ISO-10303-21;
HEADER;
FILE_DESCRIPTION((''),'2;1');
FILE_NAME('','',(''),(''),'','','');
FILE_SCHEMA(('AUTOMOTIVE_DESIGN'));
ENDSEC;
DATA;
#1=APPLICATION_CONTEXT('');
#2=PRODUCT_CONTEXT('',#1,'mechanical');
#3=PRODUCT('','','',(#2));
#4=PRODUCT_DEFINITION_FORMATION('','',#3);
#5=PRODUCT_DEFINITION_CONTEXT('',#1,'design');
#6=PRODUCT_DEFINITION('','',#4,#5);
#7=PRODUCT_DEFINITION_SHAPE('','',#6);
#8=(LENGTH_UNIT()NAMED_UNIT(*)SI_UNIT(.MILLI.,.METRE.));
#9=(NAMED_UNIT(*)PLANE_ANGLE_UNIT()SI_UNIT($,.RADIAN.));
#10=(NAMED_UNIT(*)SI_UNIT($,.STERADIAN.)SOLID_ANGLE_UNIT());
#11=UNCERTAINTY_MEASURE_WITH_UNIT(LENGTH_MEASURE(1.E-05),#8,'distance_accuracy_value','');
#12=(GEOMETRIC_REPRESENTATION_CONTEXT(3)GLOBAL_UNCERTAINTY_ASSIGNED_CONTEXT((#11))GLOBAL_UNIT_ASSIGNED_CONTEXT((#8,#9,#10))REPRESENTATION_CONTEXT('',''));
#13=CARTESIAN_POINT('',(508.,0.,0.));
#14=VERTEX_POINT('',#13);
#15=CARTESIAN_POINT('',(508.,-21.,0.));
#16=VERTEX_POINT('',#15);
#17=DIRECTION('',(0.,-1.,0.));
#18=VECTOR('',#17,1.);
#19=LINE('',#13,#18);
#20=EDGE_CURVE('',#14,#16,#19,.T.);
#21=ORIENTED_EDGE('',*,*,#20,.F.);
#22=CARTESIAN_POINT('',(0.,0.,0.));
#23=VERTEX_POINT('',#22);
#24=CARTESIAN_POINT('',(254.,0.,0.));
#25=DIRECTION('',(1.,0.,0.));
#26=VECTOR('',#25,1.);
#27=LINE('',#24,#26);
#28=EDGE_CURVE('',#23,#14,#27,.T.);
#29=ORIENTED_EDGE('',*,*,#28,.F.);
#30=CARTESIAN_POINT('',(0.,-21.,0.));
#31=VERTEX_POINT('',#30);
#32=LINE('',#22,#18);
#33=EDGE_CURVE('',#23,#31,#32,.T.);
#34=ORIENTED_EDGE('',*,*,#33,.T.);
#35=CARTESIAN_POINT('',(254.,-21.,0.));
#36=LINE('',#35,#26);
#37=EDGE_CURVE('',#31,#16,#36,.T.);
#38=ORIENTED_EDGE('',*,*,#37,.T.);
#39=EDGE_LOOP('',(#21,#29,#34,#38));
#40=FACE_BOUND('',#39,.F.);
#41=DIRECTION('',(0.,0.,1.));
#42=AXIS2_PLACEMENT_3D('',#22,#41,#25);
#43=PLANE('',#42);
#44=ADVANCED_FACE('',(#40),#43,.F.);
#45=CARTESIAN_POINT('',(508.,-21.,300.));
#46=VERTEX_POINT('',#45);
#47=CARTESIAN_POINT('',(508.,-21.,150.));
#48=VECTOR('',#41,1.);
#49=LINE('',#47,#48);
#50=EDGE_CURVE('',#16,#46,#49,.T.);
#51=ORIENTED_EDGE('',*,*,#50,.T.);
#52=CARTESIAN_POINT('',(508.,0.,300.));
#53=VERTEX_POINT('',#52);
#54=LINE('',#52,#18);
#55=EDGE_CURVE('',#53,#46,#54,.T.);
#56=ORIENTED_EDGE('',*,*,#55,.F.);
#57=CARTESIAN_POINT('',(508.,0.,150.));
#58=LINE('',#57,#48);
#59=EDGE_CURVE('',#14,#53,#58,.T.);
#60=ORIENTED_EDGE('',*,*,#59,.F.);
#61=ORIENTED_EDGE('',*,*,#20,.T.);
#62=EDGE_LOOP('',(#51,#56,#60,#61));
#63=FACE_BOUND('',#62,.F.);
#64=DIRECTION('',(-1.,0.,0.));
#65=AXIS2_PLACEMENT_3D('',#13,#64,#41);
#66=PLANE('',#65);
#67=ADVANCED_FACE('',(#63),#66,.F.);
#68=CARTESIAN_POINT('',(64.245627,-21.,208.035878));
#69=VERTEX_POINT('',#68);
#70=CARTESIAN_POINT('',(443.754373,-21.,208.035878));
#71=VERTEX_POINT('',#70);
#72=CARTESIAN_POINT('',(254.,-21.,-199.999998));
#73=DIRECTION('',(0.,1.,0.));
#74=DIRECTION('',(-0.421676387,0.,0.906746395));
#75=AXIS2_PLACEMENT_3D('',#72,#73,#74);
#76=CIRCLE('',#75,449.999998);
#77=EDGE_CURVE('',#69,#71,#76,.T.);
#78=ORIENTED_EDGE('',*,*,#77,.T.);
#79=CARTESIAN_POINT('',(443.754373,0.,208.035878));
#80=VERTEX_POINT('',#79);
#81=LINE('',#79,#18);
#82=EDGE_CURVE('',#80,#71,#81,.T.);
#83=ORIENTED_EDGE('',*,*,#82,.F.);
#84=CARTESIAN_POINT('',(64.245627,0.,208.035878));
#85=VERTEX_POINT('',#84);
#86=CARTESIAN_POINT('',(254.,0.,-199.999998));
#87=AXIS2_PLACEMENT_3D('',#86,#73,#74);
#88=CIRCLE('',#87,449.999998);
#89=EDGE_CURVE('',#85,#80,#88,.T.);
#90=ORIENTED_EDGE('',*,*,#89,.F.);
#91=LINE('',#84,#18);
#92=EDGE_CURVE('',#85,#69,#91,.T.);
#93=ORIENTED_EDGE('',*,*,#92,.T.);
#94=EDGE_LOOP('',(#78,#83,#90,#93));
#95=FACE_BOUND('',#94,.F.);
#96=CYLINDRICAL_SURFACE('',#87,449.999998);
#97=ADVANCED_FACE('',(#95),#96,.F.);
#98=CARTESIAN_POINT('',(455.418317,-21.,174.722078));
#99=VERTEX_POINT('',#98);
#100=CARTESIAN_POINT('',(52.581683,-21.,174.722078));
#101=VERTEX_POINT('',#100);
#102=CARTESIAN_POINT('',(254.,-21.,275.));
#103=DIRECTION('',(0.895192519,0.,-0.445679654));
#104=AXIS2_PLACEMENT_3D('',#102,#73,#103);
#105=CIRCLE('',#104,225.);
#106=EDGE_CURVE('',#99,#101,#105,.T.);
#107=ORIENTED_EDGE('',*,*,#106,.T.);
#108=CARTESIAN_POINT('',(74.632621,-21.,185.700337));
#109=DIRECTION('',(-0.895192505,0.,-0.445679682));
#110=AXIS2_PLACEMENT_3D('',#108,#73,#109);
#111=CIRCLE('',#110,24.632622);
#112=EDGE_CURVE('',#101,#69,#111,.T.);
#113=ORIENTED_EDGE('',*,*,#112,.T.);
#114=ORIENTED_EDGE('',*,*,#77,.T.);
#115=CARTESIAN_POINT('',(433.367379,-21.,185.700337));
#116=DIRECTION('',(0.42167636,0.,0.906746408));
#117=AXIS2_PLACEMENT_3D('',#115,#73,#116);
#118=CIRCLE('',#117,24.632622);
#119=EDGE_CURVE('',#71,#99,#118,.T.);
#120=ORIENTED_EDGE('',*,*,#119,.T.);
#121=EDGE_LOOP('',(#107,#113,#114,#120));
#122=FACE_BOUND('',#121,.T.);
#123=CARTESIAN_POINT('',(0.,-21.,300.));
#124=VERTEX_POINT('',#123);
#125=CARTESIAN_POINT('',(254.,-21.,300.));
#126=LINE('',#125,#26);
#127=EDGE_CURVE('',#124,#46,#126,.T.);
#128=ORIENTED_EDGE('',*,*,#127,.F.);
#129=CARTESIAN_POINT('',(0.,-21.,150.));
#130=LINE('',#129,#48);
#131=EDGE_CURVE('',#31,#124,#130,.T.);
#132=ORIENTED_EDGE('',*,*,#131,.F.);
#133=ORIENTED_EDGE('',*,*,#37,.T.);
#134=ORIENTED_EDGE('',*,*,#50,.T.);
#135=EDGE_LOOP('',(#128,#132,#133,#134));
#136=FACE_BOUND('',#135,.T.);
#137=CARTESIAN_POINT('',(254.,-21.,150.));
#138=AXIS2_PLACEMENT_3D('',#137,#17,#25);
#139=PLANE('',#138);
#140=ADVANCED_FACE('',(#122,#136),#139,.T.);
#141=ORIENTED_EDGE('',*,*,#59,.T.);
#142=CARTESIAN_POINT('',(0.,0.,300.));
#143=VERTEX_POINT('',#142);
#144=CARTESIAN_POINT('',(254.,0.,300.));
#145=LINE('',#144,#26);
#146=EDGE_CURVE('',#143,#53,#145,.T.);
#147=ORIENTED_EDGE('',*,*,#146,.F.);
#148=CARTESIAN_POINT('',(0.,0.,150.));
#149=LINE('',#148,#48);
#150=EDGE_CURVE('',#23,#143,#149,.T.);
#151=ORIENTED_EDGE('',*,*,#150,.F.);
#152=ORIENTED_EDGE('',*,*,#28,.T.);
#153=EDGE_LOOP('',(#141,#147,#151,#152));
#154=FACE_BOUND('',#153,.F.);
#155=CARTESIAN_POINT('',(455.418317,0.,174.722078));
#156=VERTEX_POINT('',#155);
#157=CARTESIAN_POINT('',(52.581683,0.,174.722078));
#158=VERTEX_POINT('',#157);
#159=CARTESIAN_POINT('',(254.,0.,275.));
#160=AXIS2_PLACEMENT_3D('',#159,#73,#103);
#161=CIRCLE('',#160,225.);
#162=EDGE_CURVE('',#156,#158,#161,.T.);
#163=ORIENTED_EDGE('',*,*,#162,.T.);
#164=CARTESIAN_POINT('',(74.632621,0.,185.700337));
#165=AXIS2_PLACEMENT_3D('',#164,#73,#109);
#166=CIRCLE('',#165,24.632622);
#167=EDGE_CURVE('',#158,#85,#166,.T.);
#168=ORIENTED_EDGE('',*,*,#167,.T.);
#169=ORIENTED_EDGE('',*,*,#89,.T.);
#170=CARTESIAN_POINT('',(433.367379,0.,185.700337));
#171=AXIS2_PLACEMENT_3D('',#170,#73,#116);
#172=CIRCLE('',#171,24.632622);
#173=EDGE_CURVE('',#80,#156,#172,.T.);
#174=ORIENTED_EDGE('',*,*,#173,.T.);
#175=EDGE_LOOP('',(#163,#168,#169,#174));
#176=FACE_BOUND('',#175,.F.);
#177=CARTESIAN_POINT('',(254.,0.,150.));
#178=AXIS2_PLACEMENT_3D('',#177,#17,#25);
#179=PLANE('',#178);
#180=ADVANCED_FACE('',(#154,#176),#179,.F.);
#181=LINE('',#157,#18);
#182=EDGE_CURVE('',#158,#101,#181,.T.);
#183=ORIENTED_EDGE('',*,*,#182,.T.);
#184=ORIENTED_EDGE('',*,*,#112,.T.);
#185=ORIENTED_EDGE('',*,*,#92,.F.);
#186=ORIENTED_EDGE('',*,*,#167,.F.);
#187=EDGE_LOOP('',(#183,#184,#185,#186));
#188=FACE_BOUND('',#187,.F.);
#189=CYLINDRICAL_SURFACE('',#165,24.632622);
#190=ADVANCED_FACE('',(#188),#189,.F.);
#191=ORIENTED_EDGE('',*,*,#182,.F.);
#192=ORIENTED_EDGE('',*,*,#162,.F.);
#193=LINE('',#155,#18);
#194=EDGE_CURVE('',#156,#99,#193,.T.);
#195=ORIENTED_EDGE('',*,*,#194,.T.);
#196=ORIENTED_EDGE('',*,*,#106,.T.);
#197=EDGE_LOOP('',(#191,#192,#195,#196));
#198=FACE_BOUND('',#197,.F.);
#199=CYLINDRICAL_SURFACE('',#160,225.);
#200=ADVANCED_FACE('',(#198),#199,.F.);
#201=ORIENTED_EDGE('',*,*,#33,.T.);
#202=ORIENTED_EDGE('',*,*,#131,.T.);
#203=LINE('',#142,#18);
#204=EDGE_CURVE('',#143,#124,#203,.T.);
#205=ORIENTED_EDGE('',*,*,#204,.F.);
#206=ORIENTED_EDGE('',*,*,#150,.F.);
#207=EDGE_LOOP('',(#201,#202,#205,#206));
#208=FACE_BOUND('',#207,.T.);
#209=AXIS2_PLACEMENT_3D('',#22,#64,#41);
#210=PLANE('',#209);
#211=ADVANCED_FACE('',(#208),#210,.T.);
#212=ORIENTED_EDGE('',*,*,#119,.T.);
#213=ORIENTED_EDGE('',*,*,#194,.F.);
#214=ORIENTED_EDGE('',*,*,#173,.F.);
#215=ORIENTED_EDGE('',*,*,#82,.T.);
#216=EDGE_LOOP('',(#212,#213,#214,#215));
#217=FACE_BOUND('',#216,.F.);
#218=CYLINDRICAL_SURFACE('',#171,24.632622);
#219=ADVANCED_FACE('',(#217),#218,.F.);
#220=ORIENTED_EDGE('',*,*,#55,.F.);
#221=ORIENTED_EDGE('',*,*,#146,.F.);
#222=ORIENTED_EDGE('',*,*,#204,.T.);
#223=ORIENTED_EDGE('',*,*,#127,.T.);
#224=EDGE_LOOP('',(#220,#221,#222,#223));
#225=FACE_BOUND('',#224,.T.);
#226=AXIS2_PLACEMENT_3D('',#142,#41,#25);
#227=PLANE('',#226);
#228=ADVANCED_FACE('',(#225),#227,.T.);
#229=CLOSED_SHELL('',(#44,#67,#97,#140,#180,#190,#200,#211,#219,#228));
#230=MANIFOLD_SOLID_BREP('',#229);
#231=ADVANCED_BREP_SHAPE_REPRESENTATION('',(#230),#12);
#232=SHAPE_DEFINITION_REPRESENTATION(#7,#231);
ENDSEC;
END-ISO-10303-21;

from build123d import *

# Parameters (mm, degrees)
F0_W     = 508
F0_H     = 300
F1_DEPTH = 21


with BuildPart() as f1:
    # F0 (on Front) → F1 (new body)
    with BuildSketch(Plane.XZ):
        with Locations((254, 150)):
            Rectangle(F0_W, F0_H)
        with BuildLine():
            ThreePointArc((64.245627, 208.035878), (254, 250), (443.754373, 208.035878))
            ThreePointArc((443.754373, 208.035878), (456.616189, 193.840292), (455.418317, 174.722078))
            ThreePointArc((455.418317, 174.722078), (254, 50), (52.581683, 174.722078))
            ThreePointArc((52.581683, 174.722078), (51.383811, 193.840292), (64.245627, 208.035878))
        make_face(mode=Mode.SUBTRACT)
    extrude(amount=F1_DEPTH)


solid = f1.part
